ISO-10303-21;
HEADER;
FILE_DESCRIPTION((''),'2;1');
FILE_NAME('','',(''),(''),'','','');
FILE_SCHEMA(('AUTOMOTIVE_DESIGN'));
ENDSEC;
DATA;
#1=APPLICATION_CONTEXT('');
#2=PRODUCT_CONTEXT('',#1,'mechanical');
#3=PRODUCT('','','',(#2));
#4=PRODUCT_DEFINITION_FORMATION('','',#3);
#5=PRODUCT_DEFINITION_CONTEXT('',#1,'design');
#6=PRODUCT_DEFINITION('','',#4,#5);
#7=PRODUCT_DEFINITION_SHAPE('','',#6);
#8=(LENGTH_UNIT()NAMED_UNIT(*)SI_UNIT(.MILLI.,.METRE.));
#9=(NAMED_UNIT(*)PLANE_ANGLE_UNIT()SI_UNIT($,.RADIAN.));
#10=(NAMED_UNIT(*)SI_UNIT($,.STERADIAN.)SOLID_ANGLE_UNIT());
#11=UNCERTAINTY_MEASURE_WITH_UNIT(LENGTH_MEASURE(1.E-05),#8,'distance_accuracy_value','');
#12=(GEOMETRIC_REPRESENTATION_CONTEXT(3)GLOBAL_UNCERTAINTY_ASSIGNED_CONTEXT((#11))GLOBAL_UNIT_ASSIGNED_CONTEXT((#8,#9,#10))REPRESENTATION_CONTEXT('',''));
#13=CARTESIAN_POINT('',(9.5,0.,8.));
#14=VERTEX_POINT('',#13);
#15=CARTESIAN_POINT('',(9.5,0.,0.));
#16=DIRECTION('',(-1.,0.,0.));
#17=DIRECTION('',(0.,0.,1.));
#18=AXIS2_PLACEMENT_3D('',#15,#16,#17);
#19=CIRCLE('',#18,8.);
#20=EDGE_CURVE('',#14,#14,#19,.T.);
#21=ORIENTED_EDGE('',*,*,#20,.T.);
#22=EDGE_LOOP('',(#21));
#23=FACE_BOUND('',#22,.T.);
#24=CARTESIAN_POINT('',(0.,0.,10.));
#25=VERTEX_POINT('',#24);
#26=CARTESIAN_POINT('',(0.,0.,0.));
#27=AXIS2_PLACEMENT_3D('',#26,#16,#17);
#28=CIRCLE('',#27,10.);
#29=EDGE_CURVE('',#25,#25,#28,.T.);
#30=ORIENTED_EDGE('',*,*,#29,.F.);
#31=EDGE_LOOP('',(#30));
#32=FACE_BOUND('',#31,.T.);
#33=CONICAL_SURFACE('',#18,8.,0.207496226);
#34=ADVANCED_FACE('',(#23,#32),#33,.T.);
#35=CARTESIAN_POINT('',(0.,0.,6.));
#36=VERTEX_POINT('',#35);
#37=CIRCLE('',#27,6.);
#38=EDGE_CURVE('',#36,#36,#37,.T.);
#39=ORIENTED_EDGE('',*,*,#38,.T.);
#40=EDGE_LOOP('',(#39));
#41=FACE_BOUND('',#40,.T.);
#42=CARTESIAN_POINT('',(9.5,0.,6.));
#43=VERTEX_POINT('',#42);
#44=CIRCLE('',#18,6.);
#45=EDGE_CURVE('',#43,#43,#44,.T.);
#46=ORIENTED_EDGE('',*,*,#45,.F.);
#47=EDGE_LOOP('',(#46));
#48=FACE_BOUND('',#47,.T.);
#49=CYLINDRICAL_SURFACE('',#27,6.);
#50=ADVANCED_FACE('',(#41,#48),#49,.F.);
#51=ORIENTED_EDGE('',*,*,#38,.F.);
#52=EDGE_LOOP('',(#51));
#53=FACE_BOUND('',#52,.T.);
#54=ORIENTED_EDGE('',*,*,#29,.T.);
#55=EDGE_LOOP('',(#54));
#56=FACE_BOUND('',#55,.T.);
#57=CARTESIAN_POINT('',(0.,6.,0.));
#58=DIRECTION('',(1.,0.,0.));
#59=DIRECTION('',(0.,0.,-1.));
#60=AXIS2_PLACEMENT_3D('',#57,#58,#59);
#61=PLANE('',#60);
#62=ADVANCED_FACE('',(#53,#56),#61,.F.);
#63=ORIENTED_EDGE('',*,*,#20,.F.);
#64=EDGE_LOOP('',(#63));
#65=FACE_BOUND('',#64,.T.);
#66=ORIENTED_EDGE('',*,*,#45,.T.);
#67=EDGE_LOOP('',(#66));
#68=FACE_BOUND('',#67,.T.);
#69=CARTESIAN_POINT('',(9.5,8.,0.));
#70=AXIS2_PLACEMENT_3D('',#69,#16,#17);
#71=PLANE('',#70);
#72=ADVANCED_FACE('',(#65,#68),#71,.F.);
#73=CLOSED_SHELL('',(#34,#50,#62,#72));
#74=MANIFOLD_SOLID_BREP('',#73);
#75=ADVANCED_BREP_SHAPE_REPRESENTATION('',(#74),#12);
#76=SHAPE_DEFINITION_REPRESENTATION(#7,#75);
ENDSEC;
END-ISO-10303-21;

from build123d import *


with BuildPart() as part:
    # Szkic1 → Obrót1 (revolve)
    with BuildSketch(Plane.XY):
        Polygon((0, 6), (0, 10), (9.5, 8), (9.5, 6), align=None)
    revolve(axis=Axis((0, 0, 0), (1, 0, 0)))


solid = part.part
